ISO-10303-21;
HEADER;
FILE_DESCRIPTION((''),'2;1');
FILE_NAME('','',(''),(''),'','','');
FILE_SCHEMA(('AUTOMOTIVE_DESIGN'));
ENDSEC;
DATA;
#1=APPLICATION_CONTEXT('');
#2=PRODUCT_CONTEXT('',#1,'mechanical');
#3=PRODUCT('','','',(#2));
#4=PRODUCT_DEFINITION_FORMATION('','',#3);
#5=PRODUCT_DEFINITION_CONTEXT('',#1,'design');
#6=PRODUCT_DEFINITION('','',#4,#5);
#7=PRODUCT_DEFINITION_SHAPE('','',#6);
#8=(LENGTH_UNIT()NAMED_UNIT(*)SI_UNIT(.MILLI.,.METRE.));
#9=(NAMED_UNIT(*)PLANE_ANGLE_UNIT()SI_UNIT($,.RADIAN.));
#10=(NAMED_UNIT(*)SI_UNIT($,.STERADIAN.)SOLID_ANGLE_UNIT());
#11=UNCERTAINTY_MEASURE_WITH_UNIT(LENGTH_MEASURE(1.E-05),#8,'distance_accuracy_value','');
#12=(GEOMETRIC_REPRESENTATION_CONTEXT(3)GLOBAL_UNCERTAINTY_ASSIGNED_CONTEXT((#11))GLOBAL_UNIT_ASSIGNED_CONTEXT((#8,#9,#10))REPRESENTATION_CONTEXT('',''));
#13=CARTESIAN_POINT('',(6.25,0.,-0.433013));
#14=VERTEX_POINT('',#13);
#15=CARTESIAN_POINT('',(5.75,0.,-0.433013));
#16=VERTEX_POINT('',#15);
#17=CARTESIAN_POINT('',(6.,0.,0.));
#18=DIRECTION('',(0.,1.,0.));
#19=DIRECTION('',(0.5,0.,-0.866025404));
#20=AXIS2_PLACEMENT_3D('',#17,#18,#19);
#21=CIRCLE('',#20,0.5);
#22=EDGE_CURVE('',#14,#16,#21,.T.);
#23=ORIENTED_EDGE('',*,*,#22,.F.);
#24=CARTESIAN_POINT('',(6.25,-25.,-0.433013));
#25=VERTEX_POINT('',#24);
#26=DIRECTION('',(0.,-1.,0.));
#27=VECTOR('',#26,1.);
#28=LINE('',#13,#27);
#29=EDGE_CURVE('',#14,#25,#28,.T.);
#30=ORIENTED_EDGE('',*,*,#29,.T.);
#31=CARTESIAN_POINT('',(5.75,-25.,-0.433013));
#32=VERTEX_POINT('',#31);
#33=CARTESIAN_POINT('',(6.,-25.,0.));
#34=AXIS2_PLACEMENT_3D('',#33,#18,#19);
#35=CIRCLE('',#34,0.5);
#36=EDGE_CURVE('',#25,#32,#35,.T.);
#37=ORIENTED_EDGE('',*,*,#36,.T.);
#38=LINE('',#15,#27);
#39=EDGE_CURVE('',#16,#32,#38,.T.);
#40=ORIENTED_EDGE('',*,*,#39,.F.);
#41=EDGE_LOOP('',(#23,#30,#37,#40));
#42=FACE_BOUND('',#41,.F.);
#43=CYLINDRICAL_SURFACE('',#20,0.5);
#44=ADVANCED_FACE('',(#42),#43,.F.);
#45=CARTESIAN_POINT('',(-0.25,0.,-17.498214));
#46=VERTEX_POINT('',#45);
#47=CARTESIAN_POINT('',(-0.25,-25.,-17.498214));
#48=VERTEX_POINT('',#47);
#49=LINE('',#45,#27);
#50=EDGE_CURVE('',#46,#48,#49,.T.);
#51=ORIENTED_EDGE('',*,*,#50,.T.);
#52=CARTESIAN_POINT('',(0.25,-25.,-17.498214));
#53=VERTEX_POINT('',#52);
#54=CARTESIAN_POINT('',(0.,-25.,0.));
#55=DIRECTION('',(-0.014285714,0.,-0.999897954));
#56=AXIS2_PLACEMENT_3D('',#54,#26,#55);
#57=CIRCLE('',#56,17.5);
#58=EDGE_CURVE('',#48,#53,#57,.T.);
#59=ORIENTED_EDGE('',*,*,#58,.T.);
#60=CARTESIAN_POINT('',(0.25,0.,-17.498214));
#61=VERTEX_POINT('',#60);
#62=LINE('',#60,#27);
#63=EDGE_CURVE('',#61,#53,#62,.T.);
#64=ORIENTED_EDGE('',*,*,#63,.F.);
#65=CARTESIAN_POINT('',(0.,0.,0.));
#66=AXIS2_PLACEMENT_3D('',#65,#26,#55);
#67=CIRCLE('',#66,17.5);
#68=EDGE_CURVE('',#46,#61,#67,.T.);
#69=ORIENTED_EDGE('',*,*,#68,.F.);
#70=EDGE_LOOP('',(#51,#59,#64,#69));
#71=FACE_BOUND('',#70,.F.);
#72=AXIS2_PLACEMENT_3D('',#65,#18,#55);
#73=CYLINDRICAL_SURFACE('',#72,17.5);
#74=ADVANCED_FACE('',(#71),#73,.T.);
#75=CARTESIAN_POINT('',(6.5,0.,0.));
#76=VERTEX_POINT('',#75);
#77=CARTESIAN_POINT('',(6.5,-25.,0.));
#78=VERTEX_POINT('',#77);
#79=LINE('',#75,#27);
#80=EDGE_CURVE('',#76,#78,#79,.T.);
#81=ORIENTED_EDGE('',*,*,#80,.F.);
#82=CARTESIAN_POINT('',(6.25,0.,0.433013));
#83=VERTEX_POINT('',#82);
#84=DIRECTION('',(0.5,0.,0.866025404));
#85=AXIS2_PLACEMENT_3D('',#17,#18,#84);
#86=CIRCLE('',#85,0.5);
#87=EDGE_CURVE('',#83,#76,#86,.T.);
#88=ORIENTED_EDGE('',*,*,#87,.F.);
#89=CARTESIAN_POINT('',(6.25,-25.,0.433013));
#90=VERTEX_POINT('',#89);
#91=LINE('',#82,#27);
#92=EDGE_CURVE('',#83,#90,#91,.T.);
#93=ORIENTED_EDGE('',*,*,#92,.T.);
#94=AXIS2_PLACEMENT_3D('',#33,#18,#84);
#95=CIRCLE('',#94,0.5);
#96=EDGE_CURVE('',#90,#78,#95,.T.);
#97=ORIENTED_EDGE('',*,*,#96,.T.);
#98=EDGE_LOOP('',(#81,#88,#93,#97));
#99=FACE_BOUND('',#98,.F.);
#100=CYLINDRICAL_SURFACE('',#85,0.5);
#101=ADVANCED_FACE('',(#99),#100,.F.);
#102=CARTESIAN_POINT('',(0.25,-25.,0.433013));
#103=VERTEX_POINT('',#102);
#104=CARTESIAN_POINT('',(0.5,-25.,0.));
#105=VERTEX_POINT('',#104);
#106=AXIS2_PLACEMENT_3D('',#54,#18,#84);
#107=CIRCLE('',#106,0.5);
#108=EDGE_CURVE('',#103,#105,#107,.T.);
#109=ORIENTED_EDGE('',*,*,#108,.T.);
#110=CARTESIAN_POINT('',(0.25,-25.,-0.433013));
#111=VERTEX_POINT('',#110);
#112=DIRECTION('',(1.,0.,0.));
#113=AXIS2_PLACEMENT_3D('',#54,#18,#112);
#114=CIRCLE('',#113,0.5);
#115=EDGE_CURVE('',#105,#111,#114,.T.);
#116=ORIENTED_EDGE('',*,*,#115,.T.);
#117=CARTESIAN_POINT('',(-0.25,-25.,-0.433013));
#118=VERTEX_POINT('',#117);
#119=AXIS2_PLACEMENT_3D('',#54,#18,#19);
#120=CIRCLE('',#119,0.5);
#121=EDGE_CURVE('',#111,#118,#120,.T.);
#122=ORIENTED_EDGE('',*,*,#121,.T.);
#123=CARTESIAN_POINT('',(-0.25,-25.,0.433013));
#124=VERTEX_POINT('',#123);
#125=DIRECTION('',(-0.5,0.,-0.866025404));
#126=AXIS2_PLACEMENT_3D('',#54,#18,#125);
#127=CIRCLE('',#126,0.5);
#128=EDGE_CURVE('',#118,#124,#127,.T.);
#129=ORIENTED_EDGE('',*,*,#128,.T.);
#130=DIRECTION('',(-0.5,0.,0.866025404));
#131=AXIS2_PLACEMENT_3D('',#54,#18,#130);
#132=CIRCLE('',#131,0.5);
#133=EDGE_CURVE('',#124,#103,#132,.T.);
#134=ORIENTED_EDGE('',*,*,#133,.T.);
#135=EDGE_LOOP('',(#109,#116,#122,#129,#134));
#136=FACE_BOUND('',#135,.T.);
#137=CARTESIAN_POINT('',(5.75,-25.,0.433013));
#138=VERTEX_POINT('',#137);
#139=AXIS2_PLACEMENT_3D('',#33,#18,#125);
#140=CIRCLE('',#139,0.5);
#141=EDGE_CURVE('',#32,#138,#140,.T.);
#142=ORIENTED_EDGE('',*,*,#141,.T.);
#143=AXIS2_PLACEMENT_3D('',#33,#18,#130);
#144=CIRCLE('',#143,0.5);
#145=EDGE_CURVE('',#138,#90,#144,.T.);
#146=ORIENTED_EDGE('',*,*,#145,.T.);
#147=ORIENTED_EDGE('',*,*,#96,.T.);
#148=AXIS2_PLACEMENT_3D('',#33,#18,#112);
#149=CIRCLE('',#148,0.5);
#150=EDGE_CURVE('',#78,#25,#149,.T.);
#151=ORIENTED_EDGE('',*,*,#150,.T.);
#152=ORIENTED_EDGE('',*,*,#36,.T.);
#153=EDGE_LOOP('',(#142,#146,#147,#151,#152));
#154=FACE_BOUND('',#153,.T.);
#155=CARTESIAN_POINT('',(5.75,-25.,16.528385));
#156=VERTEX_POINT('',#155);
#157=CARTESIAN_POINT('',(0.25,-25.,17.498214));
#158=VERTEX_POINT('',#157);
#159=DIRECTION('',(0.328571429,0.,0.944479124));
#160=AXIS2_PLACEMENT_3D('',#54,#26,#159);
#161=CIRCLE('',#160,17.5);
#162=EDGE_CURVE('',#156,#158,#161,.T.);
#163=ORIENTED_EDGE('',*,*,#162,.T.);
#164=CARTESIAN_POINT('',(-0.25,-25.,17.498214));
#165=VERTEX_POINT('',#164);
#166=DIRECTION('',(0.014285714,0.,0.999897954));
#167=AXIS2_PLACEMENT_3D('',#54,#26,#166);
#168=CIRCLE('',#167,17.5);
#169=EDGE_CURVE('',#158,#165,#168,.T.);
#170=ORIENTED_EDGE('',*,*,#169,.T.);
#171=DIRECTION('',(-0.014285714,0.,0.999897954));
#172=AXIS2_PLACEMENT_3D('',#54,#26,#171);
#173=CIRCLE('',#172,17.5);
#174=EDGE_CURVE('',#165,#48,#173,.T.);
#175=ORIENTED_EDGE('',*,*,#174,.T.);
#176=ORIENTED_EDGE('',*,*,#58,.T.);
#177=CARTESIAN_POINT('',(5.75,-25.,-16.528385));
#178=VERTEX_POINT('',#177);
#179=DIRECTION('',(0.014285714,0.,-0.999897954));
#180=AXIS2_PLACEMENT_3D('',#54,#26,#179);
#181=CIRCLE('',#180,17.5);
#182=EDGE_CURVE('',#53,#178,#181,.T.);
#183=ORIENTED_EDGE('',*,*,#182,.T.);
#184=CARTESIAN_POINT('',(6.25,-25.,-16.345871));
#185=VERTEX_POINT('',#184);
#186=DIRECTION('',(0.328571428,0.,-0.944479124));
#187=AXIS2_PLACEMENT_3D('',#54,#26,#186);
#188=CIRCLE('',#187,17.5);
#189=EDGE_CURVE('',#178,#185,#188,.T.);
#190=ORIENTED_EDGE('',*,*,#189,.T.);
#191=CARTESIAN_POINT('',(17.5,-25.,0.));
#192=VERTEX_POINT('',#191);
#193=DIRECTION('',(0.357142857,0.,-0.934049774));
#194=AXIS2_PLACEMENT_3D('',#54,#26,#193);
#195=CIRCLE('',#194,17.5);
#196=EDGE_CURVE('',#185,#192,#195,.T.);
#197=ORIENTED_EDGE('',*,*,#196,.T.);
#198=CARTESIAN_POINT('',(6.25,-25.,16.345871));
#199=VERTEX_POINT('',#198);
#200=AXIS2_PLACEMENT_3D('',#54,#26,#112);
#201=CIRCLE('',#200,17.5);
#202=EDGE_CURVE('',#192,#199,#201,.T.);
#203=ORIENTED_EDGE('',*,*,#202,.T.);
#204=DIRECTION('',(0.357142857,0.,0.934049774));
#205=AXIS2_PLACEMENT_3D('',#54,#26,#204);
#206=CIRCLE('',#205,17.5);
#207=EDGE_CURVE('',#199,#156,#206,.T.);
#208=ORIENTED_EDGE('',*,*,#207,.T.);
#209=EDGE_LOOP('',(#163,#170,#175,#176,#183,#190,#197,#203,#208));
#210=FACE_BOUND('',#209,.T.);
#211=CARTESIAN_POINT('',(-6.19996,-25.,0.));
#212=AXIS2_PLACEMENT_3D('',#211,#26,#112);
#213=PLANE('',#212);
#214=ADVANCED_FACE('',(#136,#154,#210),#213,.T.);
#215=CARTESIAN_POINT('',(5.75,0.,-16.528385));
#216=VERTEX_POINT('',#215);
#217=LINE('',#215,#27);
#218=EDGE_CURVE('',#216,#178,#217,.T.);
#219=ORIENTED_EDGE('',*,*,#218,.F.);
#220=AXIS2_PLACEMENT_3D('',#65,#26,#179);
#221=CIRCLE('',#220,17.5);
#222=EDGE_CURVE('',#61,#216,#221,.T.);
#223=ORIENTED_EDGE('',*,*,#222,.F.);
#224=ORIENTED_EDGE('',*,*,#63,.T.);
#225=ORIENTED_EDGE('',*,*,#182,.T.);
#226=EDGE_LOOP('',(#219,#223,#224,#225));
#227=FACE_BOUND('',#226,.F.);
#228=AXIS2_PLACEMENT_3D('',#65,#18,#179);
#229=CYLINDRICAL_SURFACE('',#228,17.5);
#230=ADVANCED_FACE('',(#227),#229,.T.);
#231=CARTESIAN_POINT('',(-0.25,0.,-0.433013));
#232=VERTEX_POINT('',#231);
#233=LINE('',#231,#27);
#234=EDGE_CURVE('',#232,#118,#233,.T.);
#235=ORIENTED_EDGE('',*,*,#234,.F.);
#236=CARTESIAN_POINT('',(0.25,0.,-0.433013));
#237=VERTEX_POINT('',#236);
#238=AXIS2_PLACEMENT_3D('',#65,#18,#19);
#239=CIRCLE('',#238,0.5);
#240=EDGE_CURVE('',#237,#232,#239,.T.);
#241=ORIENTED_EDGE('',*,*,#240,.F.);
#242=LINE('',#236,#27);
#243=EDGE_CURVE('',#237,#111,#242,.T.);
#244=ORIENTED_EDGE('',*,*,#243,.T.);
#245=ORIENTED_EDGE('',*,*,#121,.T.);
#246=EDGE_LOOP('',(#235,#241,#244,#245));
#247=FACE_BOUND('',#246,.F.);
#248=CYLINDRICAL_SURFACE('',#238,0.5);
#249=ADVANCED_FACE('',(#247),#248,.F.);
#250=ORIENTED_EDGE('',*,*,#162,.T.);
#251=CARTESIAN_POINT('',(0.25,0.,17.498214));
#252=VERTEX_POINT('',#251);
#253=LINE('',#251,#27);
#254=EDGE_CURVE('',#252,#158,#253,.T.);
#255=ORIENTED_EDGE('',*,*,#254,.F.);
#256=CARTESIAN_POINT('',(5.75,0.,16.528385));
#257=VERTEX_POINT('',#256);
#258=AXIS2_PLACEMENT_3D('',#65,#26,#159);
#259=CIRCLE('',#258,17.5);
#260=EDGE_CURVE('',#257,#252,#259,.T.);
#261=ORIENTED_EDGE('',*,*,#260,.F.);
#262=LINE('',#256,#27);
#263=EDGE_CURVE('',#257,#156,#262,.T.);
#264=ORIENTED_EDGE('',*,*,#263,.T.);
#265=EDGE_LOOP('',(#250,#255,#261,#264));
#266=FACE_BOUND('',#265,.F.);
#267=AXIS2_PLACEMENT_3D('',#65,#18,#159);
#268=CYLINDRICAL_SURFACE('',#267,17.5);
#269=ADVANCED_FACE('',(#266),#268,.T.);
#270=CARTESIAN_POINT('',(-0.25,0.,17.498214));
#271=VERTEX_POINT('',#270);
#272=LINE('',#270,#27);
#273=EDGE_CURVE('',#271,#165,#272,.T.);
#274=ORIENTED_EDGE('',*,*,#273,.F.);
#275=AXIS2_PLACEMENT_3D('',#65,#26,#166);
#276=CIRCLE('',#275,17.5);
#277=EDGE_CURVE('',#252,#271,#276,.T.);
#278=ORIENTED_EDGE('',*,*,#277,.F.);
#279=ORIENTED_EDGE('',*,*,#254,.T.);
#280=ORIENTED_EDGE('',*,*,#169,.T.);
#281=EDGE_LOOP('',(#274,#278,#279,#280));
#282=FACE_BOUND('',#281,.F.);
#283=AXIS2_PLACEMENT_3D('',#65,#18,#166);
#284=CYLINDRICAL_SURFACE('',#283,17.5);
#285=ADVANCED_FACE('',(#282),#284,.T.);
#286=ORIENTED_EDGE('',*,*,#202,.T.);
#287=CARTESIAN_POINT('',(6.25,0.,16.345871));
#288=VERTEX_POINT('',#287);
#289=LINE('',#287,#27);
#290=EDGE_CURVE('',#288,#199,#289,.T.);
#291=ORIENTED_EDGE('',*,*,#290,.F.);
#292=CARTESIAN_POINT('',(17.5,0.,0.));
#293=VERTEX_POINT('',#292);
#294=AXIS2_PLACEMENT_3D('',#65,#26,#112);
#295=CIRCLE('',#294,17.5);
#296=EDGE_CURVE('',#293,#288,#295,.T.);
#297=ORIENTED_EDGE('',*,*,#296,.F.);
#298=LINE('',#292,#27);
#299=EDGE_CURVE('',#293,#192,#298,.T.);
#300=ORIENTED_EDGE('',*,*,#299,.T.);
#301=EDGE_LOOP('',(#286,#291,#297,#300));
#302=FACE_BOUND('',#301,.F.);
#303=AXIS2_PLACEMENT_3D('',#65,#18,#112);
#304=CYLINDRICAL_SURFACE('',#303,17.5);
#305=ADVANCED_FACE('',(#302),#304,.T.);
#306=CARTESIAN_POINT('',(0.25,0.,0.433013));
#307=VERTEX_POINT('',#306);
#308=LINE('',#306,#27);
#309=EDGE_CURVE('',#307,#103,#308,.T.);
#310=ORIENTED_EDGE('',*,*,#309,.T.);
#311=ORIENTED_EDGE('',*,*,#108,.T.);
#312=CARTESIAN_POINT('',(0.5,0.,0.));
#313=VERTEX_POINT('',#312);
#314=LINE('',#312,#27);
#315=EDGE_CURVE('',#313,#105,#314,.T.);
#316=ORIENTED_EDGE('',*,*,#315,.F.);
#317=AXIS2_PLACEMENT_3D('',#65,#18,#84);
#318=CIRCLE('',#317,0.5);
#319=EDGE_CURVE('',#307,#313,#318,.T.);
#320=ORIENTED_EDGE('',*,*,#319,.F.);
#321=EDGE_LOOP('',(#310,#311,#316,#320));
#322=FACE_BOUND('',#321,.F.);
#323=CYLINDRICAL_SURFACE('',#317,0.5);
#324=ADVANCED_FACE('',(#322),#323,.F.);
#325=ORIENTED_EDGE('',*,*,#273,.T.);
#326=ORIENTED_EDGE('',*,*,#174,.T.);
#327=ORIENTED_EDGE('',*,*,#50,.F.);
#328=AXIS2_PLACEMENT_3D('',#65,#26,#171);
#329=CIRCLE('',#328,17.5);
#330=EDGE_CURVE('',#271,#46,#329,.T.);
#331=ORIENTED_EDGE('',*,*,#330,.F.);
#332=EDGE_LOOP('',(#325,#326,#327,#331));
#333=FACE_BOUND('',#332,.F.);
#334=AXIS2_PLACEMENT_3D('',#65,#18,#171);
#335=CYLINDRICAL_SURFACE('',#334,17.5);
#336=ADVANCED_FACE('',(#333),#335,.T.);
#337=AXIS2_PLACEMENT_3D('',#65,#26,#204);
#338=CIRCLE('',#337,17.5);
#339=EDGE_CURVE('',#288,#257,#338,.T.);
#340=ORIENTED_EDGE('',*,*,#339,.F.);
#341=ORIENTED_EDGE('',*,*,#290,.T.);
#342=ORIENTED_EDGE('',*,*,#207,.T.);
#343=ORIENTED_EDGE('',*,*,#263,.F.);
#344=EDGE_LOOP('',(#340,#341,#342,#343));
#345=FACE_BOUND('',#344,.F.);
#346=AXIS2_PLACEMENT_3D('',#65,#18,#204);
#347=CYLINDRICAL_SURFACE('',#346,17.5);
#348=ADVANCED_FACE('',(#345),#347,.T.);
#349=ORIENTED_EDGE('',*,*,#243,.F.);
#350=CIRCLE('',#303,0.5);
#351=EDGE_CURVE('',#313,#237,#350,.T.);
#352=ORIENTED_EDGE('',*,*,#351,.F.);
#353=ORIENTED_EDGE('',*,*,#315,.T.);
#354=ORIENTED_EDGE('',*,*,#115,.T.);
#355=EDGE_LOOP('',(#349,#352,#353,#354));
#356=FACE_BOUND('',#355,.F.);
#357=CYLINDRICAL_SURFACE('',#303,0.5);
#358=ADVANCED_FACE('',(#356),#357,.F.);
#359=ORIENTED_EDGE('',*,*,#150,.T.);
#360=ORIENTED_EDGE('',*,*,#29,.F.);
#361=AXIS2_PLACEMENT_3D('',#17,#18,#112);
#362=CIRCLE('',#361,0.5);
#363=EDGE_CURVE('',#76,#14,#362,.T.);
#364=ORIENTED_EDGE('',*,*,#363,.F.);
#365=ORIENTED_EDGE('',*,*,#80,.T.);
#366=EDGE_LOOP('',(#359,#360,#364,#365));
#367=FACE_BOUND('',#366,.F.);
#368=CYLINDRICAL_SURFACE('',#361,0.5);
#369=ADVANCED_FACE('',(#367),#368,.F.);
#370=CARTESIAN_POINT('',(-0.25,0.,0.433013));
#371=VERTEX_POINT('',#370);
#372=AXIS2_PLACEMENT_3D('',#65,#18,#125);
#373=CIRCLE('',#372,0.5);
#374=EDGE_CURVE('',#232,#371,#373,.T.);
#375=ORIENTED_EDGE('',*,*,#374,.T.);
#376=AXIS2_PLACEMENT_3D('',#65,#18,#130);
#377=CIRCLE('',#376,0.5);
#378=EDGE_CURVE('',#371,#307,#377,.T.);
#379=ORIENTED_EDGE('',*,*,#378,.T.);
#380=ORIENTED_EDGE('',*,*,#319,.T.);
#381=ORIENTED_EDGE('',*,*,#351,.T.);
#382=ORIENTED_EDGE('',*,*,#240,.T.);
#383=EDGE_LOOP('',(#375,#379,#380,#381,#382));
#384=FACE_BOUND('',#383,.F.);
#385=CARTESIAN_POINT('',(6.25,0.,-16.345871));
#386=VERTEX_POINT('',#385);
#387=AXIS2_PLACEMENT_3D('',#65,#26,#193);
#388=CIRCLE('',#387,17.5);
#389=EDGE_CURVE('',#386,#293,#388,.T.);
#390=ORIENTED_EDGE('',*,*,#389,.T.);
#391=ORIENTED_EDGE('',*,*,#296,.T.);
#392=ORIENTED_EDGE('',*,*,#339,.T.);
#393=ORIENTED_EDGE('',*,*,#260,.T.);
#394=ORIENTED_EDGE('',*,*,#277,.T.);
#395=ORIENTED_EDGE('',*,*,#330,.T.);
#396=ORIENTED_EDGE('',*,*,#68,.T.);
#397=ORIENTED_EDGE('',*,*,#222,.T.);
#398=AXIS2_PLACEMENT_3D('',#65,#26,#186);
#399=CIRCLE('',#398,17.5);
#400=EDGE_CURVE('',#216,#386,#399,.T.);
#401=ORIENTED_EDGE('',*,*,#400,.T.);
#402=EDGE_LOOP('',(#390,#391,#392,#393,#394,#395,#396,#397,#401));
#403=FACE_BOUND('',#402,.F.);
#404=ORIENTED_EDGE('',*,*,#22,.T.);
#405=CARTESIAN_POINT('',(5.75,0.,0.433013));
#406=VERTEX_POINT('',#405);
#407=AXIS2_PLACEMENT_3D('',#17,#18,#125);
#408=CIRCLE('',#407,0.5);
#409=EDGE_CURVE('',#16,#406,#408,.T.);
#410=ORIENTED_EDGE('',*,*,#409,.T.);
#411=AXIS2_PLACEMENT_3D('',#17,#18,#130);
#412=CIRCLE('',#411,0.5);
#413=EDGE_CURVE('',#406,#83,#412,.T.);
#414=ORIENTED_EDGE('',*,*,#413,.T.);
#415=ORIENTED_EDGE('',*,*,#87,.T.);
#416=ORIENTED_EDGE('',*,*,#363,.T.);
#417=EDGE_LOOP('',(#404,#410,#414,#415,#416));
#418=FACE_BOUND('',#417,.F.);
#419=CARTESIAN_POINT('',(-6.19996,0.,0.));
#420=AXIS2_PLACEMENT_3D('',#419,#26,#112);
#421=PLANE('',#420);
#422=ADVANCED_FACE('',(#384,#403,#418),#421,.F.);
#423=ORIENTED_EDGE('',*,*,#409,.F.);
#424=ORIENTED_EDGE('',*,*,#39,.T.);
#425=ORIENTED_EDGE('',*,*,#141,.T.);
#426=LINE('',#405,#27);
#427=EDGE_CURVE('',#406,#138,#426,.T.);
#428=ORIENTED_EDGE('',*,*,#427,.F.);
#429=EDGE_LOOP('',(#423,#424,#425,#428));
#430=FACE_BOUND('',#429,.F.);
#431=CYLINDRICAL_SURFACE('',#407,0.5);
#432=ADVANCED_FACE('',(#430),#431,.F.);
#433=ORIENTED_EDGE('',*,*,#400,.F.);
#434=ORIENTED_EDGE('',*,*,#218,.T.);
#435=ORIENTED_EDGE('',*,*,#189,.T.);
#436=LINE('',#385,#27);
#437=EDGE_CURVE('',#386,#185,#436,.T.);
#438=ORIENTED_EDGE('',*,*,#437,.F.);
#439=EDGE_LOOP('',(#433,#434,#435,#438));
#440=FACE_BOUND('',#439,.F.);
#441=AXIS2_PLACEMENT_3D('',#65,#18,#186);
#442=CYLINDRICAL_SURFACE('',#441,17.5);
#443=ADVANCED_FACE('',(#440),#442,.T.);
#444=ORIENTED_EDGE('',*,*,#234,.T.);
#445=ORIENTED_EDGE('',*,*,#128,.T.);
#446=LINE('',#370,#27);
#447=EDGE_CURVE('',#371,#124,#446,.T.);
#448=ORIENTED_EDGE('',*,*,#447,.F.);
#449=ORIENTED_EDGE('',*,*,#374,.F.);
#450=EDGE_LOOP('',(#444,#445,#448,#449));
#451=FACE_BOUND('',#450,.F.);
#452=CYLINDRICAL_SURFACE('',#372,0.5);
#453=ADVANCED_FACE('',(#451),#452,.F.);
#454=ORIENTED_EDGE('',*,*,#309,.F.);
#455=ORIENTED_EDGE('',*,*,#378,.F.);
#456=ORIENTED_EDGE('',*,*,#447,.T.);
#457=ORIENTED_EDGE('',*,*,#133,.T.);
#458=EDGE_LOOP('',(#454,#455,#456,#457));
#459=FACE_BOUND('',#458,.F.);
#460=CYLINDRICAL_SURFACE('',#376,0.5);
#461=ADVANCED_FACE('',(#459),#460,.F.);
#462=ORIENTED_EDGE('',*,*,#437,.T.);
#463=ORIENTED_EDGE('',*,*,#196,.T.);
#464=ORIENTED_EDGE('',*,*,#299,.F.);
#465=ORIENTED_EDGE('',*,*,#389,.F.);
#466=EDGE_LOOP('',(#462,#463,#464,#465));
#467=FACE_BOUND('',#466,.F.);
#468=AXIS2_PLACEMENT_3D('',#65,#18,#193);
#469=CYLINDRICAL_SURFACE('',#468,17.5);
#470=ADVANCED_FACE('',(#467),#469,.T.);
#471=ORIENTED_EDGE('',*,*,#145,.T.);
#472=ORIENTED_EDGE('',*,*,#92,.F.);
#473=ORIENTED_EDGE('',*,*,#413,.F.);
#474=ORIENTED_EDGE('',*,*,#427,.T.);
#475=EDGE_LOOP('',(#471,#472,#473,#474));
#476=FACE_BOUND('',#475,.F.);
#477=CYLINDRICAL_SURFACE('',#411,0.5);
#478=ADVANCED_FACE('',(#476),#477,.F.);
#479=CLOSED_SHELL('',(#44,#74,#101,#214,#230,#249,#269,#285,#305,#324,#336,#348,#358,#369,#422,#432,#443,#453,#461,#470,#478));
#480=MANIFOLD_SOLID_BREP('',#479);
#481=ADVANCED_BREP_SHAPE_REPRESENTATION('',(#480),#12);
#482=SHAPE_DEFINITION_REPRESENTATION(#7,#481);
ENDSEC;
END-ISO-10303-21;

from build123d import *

# Parameters (mm, degrees)
F1_DEPTH = 25


with BuildPart() as f1:
    # F0 (on Front) → F1 (new body)
    with BuildSketch(Plane.XZ):
        with BuildLine():
            Line((-0.25, 0.4330127019), (-0.25, 17.4982141946))
            ThreePointArc((-0.25, 17.4982141946), (-17.5, 0), (-0.25, -17.4982141946))
            Line((-0.25, -17.4982141946), (-0.25, -0.4330127019))
            ThreePointArc((-0.25, -0.4330127019), (-0.5, 0), (-0.25, 0.4330127019))
        make_face()
        with BuildLine():
            Line((5.75, 0.4330127019), (5.75, 16.5283846761))
            ThreePointArc((5.75, 16.5283846761), (3.0389376966, 17.2341189991), (0.25, 17.4982141946))
            Line((0.25, 17.4982141946), (0.25, 0.4330127019))
            ThreePointArc((0.25, 0.4330127019), (0.4330127019, 0.25), (0.5, 0))
            ThreePointArc((0.5, 0), (0.4330127019, -0.25), (0.25, -0.4330127019))
            Line((0.25, -0.4330127019), (0.25, -17.4982141946))
            ThreePointArc((0.25, -17.4982141946), (3.0389376966, -17.2341189991), (5.75, -16.5283846761))
            Line((5.75, -16.5283846761), (5.75, -0.4330127019))
            ThreePointArc((5.75, -0.4330127019), (5.5, 0), (5.75, 0.4330127019))
        make_face()
        with BuildLine():
            Line((0.25, 0.4330127019), (0.25, 17.4982141946))
            ThreePointArc((0.25, 17.4982141946), (0, 17.5), (-0.25, 17.4982141946))
            Line((-0.25, 17.4982141946), (-0.25, 0.4330127019))
            ThreePointArc((-0.25, 0.4330127019), (0, 0.5), (0.25, 0.4330127019))
        make_face()
        with BuildLine():
            ThreePointArc((-0.25, -17.4982141946), (0, -17.5), (0.25, -17.4982141946))
            Line((0.25, -17.4982141946), (0.25, -0.4330127019))
            ThreePointArc((0.25, -0.4330127019), (0, -0.5), (-0.25, -0.4330127019))
            Line((-0.25, -0.4330127019), (-0.25, -17.4982141946))
        make_face()
        with BuildLine():
            ThreePointArc((5.75, -16.5283846761), (6.0006939438, -16.439028931), (6.25, -16.3458710383))
            Line((6.25, -16.3458710383), (6.25, -0.4330127019))
            ThreePointArc((6.25, -0.4330127019), (6, -0.5), (5.75, -0.4330127019))
            Line((5.75, -0.4330127019), (5.75, -16.5283846761))
        make_face()
        with BuildLine():
            Line((6.25, 0.4330127019), (6.25, 16.3458710383))
            ThreePointArc((6.25, 16.3458710383), (6.0006939438, 16.439028931), (5.75, 16.5283846761))
            Line((5.75, 16.5283846761), (5.75, 0.4330127019))
            ThreePointArc((5.75, 0.4330127019), (6, 0.5), (6.25, 0.4330127019))
        make_face()
        with BuildLine():
            ThreePointArc((6.25, -16.3458710383), (14.4157032433, -9.9215674165), (17.5, 0))
            ThreePointArc((17.5, 0), (14.4157032433, 9.9215674165), (6.25, 16.3458710383))
            Line((6.25, 16.3458710383), (6.25, 0.4330127019))
            ThreePointArc((6.25, 0.4330127019), (6.4330127019, 0.25), (6.5, 0))
            ThreePointArc((6.5, 0), (6.4330127019, -0.25), (6.25, -0.4330127019))
            Line((6.25, -0.4330127019), (6.25, -16.3458710383))
        make_face()
    extrude(amount=F1_DEPTH)


solid = f1.part
